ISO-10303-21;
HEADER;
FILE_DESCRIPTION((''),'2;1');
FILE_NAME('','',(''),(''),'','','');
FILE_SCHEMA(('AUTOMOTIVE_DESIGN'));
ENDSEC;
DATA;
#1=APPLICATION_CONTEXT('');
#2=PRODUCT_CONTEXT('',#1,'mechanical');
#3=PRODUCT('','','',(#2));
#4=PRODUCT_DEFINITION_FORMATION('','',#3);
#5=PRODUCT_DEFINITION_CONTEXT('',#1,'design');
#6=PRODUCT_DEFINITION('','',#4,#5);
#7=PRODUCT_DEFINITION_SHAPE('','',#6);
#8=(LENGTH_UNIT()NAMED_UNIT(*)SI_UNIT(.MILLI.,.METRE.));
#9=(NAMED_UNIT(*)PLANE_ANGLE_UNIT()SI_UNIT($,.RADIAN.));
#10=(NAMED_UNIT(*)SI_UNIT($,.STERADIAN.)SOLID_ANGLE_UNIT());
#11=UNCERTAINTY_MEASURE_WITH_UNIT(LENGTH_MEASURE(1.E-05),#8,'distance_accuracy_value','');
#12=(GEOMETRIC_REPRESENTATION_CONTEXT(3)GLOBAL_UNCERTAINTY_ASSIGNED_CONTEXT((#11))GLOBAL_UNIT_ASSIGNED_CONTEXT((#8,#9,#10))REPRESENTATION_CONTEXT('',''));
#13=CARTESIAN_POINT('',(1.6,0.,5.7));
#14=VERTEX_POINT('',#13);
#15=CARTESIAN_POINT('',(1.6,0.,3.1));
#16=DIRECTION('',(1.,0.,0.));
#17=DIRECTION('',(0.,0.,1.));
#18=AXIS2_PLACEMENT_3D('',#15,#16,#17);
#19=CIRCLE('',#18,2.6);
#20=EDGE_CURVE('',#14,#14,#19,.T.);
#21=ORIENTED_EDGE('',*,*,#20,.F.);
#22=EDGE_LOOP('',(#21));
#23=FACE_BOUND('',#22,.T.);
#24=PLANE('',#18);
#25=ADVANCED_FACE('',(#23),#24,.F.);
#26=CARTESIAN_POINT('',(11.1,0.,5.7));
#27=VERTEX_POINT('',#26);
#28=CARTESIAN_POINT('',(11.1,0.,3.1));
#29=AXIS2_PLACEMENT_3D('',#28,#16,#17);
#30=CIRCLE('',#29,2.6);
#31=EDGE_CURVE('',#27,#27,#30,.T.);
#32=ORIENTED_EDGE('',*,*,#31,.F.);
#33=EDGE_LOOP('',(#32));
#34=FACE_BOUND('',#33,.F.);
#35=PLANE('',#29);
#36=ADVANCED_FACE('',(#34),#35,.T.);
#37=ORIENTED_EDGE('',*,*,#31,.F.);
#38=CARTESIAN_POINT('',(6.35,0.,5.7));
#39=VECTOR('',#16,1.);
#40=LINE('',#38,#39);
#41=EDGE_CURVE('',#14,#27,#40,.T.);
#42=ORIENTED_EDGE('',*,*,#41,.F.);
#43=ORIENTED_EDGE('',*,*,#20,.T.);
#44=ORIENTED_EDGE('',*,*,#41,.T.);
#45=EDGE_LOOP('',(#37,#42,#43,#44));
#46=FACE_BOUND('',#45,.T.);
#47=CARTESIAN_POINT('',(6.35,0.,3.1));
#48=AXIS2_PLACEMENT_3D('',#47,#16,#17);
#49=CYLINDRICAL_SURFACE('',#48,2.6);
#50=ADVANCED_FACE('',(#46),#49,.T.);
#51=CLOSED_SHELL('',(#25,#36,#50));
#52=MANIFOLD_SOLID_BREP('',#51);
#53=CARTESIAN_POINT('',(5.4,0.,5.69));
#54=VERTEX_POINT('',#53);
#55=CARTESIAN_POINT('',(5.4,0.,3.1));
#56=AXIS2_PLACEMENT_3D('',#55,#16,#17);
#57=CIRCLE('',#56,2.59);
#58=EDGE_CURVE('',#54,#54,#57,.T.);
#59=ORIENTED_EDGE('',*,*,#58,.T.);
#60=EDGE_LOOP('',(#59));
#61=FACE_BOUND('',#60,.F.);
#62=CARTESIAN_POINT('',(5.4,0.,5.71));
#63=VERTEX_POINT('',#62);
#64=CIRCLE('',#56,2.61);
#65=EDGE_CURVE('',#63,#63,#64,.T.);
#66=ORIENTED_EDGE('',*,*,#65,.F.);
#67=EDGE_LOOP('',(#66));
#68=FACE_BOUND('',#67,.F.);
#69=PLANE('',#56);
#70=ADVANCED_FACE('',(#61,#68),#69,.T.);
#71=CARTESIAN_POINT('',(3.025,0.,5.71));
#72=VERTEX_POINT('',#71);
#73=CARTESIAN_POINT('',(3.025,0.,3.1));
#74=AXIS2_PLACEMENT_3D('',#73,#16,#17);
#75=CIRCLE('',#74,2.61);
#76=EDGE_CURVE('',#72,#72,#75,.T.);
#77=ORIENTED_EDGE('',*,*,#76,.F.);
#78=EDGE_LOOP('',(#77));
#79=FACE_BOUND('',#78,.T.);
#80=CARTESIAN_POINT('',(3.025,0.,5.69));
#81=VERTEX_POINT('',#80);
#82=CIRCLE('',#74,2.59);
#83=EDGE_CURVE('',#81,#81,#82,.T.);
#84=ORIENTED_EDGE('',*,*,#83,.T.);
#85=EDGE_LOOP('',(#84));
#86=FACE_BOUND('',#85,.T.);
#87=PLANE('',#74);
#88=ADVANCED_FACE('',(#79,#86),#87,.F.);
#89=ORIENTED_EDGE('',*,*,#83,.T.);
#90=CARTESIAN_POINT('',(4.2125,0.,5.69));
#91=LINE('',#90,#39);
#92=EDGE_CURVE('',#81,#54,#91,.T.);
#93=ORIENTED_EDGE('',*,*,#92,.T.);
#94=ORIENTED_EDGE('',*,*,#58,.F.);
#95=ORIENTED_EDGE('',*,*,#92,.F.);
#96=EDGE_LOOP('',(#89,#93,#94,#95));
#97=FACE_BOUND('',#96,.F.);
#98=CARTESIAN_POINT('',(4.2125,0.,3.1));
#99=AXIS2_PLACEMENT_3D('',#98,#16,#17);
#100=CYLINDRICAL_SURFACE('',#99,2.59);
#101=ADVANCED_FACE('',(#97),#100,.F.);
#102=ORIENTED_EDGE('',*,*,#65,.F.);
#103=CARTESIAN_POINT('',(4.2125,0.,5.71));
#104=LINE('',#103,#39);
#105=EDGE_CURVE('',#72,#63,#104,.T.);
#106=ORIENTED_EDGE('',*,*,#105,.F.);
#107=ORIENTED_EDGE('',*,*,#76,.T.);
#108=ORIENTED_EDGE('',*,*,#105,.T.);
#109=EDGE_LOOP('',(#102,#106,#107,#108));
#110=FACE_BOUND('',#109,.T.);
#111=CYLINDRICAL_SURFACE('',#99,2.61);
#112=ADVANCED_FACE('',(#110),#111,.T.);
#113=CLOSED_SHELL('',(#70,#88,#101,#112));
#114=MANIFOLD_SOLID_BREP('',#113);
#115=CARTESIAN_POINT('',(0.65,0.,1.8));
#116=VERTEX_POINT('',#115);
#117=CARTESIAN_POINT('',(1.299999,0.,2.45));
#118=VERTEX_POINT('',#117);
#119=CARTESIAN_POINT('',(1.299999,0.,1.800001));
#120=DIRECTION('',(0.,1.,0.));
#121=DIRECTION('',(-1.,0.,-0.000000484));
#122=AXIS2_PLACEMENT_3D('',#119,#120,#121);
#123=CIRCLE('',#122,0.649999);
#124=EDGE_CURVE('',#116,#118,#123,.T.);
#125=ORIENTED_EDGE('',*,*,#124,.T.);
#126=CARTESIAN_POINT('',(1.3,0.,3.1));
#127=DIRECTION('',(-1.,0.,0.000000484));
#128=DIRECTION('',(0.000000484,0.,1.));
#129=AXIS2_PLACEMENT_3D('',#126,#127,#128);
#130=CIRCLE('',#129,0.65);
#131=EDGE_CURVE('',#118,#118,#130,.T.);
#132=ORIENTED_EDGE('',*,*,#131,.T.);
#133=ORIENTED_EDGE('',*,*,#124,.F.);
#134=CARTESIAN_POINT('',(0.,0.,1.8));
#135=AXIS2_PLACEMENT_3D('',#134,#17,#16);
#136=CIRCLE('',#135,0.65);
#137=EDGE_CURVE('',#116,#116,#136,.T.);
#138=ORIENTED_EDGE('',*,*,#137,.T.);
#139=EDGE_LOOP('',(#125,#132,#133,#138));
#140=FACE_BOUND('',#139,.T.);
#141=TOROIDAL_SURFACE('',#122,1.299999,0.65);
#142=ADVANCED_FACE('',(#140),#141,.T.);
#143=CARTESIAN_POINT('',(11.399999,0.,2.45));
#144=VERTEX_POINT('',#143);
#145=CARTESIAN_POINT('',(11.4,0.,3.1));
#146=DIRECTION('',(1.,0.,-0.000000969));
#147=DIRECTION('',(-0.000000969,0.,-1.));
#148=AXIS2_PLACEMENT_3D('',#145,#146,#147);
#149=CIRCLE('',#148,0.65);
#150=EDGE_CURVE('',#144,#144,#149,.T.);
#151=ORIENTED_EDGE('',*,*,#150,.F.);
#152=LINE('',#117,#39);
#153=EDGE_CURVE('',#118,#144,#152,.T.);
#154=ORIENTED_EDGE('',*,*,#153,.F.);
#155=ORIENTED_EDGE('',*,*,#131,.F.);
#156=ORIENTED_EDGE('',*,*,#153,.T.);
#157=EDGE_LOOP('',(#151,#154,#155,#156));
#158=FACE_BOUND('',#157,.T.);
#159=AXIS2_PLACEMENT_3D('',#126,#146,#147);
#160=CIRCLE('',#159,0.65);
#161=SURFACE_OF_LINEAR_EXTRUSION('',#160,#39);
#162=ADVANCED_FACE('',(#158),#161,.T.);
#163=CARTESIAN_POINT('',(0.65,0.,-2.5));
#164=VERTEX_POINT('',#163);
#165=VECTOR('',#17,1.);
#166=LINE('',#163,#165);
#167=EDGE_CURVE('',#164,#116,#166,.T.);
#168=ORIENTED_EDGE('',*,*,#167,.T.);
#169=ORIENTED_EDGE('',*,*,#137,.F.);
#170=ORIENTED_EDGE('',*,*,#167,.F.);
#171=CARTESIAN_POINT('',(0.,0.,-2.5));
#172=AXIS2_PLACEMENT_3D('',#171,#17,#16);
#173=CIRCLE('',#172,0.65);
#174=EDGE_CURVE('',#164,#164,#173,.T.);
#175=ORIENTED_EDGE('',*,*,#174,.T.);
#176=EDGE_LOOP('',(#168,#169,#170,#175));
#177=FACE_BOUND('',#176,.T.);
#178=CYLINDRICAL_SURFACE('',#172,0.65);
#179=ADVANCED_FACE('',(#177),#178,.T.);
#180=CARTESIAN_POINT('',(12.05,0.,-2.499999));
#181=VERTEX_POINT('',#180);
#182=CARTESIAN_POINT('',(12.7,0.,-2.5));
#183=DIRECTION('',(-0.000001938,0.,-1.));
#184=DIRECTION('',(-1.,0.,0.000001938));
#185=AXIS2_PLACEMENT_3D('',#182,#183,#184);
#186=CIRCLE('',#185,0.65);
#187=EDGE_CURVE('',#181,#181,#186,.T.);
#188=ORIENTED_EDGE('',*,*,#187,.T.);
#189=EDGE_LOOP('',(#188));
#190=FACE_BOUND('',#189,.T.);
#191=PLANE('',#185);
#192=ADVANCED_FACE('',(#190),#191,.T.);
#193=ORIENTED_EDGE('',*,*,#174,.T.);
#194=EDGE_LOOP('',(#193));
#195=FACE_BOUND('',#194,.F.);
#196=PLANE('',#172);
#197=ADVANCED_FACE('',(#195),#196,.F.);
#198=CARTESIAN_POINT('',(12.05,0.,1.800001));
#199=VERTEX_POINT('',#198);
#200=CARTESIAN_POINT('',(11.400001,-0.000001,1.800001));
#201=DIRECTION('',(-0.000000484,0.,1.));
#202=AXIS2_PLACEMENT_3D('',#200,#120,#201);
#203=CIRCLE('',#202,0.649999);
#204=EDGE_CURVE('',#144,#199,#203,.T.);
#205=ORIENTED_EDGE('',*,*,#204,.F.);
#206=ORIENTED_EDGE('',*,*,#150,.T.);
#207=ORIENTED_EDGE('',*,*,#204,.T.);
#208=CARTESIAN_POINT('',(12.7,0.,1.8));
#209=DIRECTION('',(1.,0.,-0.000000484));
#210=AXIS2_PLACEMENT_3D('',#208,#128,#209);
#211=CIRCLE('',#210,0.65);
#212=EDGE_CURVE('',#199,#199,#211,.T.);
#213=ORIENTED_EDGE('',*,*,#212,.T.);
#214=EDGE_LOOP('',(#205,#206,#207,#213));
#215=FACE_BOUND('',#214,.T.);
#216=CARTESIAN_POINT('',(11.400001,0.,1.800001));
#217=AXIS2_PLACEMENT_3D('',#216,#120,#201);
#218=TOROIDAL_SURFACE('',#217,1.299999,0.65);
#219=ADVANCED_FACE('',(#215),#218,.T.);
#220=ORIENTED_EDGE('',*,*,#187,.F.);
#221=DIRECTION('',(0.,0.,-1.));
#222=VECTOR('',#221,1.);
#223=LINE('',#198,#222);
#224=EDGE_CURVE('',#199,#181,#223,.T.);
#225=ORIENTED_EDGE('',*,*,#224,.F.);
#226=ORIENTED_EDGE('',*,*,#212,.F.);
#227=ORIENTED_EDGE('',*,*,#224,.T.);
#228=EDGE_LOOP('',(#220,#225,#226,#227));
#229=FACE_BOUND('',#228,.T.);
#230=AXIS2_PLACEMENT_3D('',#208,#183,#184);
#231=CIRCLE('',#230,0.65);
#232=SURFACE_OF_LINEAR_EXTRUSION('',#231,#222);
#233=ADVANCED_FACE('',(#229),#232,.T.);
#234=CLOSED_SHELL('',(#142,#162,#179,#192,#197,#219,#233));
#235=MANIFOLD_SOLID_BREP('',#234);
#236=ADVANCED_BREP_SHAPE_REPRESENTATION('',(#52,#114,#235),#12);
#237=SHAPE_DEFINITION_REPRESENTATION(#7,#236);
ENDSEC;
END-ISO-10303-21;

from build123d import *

# Parameters (mm, degrees)
SKETCH002_W = 9.5
SKETCH002_H = 2.6
SKETCH003_W = 2.375
SKETCH003_H = 0.02
SKETCH_R    = 0.65


with BuildPart() as revolution:
    # Sketch002 → Revolution (revolve)
    with BuildSketch(Plane.XZ):
        with Locations((6.35, 4.4)):
            Rectangle(SKETCH002_W, SKETCH002_H)
    revolve(axis=Axis((1.6, 0, 3.1), (1, 0, 0)))


with BuildPart() as revolution001:
    # Sketch003 → Revolution001 (revolve)
    with BuildSketch(Plane.XZ):
        with Locations((4.2125, 5.7)):
            Rectangle(SKETCH003_W, SKETCH003_H)
    revolve(axis=Axis((0, 0, 3.1), (1, 0, 0)))


with BuildPart() as sweep_body:
    # Sweep: sweep along a path in Sketch001
    with BuildLine(Plane.XZ) as sweep_path:
        Line((0, -2.5), (0, 1.8))
        ThreePointArc((0, 1.8), (0.380761, 2.719239), (1.3, 3.1))
        Line((1.3, 3.1), (11.4, 3.1))
        ThreePointArc((11.4, 3.1), (12.319239, 2.719239), (12.7, 1.8))
        Line((12.7, 1.8), (12.7, -2.5))
    # Sketch → Sweep (sweep)
    with BuildSketch(Plane.XY.offset(-2)):
        Circle(SKETCH_R)
    sweep(path=sweep_path.line)


solid = Compound([revolution.part, revolution001.part, sweep_body.part])
